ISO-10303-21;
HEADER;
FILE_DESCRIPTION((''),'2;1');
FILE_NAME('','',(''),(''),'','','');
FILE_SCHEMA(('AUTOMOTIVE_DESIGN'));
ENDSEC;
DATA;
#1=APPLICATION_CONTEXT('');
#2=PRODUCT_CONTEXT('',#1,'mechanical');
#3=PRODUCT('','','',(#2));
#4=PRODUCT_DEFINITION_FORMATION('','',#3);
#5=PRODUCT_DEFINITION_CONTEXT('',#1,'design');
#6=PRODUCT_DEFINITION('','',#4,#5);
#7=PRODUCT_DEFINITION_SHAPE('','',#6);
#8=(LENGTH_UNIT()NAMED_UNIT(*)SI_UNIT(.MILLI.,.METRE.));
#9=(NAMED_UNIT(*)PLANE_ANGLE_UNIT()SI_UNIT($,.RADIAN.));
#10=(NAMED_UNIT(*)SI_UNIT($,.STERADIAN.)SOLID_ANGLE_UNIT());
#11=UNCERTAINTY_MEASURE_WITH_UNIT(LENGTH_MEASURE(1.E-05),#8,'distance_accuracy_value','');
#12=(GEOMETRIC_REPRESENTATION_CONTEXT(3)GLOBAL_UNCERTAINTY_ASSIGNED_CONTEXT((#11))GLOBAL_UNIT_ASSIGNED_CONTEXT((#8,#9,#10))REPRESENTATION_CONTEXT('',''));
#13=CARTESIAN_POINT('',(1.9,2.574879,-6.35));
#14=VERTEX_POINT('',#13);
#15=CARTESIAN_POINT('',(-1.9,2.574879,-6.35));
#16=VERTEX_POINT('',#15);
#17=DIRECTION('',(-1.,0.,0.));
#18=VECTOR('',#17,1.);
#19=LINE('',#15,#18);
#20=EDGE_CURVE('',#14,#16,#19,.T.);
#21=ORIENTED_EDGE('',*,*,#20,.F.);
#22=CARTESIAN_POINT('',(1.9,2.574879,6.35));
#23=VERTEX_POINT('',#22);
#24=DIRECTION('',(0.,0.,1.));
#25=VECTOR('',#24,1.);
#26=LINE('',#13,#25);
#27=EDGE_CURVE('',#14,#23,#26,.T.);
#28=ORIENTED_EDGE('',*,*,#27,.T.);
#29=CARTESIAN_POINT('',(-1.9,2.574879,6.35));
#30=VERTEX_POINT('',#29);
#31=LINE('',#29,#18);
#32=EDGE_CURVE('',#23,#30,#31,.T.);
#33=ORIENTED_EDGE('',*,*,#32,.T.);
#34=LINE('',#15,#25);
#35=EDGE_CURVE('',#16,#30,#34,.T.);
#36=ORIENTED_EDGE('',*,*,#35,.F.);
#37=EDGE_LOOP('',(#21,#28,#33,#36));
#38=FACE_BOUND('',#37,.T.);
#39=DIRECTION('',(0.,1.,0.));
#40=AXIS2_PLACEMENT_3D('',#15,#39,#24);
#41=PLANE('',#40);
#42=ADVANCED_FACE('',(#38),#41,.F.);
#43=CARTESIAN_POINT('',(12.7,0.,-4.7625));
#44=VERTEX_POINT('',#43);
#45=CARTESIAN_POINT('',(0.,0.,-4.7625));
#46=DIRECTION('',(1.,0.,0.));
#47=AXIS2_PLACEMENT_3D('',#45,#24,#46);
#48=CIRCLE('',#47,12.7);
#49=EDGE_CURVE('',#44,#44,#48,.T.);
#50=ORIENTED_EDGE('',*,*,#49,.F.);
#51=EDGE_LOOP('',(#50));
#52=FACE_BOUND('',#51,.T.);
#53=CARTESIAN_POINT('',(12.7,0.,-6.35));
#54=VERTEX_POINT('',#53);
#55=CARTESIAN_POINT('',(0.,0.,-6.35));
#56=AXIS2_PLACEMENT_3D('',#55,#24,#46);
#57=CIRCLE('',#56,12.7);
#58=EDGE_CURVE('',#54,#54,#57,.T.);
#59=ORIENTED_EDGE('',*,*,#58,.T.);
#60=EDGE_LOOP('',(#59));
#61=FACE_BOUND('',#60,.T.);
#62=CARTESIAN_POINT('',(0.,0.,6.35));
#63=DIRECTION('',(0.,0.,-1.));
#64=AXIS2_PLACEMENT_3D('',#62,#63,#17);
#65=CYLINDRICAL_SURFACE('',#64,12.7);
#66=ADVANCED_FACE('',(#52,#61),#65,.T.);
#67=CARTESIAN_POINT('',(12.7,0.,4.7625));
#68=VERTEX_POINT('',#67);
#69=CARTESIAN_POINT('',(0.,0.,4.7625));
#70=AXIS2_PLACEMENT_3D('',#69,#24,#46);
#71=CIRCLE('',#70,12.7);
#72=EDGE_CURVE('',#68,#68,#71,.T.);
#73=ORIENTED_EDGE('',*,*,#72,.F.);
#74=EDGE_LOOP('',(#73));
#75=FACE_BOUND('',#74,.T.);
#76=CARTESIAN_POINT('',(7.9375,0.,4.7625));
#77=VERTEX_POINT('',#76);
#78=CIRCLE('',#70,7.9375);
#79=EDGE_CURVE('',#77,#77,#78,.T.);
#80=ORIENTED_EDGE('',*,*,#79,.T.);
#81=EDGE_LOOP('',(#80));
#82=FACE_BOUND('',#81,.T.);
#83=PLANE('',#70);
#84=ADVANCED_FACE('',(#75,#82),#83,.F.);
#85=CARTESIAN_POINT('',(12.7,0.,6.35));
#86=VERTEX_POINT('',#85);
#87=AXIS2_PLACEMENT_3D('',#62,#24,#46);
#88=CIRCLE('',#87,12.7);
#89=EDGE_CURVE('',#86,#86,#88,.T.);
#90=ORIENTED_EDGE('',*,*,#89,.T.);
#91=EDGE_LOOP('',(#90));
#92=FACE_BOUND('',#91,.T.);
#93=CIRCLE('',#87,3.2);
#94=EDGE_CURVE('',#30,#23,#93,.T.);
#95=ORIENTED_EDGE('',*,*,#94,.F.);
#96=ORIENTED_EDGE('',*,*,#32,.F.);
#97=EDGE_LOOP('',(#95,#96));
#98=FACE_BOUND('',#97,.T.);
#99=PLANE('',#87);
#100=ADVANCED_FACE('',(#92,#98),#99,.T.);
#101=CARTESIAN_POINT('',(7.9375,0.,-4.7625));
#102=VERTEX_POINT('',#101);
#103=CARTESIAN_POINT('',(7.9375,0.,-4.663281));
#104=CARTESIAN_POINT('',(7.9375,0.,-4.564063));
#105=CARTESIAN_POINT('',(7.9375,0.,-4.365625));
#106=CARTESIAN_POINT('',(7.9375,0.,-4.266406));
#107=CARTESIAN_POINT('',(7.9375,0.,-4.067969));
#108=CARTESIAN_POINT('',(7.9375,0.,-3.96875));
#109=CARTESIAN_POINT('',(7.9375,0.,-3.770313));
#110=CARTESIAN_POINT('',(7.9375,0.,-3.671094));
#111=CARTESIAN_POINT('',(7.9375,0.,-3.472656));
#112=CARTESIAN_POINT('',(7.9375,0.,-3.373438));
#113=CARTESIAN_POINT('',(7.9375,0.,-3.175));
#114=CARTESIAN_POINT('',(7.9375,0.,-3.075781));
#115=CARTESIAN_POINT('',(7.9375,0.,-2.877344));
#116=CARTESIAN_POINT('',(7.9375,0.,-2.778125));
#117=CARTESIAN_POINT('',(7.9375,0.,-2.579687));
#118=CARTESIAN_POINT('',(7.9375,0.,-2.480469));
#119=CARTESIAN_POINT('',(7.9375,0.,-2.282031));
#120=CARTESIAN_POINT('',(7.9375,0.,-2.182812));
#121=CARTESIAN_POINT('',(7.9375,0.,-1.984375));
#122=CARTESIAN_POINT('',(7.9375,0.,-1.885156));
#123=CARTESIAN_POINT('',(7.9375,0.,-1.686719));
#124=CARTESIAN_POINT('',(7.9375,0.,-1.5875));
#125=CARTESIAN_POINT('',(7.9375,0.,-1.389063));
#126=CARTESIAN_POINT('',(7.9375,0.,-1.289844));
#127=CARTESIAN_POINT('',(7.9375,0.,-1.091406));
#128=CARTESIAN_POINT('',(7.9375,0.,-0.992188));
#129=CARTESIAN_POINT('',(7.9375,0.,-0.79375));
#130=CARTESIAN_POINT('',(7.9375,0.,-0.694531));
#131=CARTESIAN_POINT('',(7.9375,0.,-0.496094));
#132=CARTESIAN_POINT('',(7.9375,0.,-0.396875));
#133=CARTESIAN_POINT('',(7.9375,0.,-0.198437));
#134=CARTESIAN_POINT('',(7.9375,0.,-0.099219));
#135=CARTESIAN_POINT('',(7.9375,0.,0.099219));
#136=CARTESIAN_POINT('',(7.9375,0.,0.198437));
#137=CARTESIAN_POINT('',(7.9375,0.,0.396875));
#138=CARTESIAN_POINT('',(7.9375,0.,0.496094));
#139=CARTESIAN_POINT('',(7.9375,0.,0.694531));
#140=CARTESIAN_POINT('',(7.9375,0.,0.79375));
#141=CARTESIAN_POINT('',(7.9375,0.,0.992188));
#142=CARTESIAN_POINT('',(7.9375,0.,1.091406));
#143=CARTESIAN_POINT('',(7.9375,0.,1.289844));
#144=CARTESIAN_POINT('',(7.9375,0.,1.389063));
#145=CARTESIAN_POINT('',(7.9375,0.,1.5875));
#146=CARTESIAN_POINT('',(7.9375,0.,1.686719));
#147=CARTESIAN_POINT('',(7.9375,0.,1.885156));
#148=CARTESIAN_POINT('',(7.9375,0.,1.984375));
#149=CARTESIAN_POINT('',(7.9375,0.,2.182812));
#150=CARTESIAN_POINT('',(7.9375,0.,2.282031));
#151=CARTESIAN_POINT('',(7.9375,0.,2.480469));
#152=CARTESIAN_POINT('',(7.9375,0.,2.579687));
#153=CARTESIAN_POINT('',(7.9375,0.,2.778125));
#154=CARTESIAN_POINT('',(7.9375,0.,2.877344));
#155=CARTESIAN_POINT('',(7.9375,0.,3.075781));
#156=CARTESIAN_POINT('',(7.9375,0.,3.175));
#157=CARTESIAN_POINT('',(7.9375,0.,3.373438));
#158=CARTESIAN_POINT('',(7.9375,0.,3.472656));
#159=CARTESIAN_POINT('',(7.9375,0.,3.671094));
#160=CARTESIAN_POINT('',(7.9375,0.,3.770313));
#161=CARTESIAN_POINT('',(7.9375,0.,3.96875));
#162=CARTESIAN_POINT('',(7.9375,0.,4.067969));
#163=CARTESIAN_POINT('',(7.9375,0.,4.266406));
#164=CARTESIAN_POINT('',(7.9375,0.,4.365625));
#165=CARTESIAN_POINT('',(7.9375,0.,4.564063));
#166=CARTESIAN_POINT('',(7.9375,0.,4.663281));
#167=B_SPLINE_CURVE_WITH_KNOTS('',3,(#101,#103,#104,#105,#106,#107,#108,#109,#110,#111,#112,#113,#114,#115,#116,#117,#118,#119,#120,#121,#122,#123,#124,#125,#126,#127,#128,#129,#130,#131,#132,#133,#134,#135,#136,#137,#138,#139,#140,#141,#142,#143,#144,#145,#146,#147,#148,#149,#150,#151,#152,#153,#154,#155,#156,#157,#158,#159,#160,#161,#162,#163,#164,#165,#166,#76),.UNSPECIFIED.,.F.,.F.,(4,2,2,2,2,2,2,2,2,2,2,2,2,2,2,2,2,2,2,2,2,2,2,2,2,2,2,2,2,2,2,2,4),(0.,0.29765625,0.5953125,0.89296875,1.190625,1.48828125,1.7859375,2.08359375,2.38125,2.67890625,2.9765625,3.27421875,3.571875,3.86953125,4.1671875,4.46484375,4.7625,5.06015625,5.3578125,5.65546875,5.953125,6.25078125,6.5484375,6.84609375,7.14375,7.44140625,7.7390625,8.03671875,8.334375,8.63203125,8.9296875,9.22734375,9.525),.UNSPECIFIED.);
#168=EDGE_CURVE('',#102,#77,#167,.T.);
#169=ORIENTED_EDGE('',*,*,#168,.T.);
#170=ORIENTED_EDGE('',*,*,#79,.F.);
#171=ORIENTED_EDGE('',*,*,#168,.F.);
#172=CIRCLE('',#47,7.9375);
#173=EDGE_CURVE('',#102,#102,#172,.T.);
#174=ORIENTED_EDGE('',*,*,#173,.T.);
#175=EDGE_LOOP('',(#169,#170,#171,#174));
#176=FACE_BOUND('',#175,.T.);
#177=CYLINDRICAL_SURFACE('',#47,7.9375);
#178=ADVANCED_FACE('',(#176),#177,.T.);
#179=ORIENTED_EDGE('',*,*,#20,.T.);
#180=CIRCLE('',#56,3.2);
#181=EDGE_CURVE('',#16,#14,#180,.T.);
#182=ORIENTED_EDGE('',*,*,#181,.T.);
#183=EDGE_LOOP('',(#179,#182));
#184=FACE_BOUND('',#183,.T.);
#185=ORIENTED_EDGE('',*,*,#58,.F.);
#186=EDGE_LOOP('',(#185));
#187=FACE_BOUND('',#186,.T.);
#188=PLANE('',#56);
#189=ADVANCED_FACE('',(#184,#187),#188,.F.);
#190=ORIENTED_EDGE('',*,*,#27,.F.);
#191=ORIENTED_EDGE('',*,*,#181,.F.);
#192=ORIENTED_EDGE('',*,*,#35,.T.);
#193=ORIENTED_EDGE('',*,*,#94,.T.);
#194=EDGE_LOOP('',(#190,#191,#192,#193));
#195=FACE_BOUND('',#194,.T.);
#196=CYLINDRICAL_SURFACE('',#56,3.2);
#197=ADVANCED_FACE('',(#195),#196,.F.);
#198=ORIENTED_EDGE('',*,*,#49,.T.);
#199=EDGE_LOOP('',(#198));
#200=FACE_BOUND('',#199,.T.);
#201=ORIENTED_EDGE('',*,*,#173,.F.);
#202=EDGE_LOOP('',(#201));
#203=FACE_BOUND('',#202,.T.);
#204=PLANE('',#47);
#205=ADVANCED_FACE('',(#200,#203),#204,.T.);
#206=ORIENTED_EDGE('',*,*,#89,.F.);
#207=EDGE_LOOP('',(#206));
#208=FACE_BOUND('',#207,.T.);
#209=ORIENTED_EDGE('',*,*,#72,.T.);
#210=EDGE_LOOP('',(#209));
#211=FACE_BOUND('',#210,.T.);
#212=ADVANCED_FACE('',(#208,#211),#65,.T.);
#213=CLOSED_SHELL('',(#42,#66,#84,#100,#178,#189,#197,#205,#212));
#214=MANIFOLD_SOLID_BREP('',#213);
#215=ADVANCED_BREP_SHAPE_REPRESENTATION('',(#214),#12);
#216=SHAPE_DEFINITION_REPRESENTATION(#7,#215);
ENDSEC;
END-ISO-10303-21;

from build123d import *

# Parameters (mm, degrees)
SKETCH1_R               = 12.7
BASE_VOLUME_DEPTH       = 6.35
SKETCH2_OUTSIDE_W       = 35.02
SKETCH2_OUTSIDE_H       = 35.02
SKETCH2_OUTSIDE_R       = 7.9375
ENCAVURE_DEPTH          = 4.7625
TROU_SHAFT_D_DEPTH      = 20.05
TROU_SHAFT_D_DEPTH_BACK = 20.05


with BuildPart() as part:
    # Sketch1 → base_volume (new, symmetric)
    with BuildSketch(Plane.XY):
        Circle(SKETCH1_R)
    extrude(amount=BASE_VOLUME_DEPTH, both=True)

    # Sketch2 outside → encavure (cut, symmetric)
    with BuildSketch(Plane.XY):
        Rectangle(SKETCH2_OUTSIDE_W, SKETCH2_OUTSIDE_H)
        Circle(SKETCH2_OUTSIDE_R, mode=Mode.SUBTRACT)
    extrude(amount=ENCAVURE_DEPTH, both=True, mode=Mode.SUBTRACT)

    # Sketch3 → trou_shaft_D (cut, two sides: drawn at the far end of the back side and taken through both)
    with BuildSketch(Plane.XY.offset(-TROU_SHAFT_D_DEPTH_BACK)):
        with BuildLine():
            Line((-1.9, 2.574878638), (1.9, 2.574878638))
            ThreePointArc((1.9, 2.574878638), (0, -3.2), (-1.9, 2.574878638))
        make_face()
    extrude(amount=TROU_SHAFT_D_DEPTH + TROU_SHAFT_D_DEPTH_BACK, mode=Mode.SUBTRACT)


solid = part.part
